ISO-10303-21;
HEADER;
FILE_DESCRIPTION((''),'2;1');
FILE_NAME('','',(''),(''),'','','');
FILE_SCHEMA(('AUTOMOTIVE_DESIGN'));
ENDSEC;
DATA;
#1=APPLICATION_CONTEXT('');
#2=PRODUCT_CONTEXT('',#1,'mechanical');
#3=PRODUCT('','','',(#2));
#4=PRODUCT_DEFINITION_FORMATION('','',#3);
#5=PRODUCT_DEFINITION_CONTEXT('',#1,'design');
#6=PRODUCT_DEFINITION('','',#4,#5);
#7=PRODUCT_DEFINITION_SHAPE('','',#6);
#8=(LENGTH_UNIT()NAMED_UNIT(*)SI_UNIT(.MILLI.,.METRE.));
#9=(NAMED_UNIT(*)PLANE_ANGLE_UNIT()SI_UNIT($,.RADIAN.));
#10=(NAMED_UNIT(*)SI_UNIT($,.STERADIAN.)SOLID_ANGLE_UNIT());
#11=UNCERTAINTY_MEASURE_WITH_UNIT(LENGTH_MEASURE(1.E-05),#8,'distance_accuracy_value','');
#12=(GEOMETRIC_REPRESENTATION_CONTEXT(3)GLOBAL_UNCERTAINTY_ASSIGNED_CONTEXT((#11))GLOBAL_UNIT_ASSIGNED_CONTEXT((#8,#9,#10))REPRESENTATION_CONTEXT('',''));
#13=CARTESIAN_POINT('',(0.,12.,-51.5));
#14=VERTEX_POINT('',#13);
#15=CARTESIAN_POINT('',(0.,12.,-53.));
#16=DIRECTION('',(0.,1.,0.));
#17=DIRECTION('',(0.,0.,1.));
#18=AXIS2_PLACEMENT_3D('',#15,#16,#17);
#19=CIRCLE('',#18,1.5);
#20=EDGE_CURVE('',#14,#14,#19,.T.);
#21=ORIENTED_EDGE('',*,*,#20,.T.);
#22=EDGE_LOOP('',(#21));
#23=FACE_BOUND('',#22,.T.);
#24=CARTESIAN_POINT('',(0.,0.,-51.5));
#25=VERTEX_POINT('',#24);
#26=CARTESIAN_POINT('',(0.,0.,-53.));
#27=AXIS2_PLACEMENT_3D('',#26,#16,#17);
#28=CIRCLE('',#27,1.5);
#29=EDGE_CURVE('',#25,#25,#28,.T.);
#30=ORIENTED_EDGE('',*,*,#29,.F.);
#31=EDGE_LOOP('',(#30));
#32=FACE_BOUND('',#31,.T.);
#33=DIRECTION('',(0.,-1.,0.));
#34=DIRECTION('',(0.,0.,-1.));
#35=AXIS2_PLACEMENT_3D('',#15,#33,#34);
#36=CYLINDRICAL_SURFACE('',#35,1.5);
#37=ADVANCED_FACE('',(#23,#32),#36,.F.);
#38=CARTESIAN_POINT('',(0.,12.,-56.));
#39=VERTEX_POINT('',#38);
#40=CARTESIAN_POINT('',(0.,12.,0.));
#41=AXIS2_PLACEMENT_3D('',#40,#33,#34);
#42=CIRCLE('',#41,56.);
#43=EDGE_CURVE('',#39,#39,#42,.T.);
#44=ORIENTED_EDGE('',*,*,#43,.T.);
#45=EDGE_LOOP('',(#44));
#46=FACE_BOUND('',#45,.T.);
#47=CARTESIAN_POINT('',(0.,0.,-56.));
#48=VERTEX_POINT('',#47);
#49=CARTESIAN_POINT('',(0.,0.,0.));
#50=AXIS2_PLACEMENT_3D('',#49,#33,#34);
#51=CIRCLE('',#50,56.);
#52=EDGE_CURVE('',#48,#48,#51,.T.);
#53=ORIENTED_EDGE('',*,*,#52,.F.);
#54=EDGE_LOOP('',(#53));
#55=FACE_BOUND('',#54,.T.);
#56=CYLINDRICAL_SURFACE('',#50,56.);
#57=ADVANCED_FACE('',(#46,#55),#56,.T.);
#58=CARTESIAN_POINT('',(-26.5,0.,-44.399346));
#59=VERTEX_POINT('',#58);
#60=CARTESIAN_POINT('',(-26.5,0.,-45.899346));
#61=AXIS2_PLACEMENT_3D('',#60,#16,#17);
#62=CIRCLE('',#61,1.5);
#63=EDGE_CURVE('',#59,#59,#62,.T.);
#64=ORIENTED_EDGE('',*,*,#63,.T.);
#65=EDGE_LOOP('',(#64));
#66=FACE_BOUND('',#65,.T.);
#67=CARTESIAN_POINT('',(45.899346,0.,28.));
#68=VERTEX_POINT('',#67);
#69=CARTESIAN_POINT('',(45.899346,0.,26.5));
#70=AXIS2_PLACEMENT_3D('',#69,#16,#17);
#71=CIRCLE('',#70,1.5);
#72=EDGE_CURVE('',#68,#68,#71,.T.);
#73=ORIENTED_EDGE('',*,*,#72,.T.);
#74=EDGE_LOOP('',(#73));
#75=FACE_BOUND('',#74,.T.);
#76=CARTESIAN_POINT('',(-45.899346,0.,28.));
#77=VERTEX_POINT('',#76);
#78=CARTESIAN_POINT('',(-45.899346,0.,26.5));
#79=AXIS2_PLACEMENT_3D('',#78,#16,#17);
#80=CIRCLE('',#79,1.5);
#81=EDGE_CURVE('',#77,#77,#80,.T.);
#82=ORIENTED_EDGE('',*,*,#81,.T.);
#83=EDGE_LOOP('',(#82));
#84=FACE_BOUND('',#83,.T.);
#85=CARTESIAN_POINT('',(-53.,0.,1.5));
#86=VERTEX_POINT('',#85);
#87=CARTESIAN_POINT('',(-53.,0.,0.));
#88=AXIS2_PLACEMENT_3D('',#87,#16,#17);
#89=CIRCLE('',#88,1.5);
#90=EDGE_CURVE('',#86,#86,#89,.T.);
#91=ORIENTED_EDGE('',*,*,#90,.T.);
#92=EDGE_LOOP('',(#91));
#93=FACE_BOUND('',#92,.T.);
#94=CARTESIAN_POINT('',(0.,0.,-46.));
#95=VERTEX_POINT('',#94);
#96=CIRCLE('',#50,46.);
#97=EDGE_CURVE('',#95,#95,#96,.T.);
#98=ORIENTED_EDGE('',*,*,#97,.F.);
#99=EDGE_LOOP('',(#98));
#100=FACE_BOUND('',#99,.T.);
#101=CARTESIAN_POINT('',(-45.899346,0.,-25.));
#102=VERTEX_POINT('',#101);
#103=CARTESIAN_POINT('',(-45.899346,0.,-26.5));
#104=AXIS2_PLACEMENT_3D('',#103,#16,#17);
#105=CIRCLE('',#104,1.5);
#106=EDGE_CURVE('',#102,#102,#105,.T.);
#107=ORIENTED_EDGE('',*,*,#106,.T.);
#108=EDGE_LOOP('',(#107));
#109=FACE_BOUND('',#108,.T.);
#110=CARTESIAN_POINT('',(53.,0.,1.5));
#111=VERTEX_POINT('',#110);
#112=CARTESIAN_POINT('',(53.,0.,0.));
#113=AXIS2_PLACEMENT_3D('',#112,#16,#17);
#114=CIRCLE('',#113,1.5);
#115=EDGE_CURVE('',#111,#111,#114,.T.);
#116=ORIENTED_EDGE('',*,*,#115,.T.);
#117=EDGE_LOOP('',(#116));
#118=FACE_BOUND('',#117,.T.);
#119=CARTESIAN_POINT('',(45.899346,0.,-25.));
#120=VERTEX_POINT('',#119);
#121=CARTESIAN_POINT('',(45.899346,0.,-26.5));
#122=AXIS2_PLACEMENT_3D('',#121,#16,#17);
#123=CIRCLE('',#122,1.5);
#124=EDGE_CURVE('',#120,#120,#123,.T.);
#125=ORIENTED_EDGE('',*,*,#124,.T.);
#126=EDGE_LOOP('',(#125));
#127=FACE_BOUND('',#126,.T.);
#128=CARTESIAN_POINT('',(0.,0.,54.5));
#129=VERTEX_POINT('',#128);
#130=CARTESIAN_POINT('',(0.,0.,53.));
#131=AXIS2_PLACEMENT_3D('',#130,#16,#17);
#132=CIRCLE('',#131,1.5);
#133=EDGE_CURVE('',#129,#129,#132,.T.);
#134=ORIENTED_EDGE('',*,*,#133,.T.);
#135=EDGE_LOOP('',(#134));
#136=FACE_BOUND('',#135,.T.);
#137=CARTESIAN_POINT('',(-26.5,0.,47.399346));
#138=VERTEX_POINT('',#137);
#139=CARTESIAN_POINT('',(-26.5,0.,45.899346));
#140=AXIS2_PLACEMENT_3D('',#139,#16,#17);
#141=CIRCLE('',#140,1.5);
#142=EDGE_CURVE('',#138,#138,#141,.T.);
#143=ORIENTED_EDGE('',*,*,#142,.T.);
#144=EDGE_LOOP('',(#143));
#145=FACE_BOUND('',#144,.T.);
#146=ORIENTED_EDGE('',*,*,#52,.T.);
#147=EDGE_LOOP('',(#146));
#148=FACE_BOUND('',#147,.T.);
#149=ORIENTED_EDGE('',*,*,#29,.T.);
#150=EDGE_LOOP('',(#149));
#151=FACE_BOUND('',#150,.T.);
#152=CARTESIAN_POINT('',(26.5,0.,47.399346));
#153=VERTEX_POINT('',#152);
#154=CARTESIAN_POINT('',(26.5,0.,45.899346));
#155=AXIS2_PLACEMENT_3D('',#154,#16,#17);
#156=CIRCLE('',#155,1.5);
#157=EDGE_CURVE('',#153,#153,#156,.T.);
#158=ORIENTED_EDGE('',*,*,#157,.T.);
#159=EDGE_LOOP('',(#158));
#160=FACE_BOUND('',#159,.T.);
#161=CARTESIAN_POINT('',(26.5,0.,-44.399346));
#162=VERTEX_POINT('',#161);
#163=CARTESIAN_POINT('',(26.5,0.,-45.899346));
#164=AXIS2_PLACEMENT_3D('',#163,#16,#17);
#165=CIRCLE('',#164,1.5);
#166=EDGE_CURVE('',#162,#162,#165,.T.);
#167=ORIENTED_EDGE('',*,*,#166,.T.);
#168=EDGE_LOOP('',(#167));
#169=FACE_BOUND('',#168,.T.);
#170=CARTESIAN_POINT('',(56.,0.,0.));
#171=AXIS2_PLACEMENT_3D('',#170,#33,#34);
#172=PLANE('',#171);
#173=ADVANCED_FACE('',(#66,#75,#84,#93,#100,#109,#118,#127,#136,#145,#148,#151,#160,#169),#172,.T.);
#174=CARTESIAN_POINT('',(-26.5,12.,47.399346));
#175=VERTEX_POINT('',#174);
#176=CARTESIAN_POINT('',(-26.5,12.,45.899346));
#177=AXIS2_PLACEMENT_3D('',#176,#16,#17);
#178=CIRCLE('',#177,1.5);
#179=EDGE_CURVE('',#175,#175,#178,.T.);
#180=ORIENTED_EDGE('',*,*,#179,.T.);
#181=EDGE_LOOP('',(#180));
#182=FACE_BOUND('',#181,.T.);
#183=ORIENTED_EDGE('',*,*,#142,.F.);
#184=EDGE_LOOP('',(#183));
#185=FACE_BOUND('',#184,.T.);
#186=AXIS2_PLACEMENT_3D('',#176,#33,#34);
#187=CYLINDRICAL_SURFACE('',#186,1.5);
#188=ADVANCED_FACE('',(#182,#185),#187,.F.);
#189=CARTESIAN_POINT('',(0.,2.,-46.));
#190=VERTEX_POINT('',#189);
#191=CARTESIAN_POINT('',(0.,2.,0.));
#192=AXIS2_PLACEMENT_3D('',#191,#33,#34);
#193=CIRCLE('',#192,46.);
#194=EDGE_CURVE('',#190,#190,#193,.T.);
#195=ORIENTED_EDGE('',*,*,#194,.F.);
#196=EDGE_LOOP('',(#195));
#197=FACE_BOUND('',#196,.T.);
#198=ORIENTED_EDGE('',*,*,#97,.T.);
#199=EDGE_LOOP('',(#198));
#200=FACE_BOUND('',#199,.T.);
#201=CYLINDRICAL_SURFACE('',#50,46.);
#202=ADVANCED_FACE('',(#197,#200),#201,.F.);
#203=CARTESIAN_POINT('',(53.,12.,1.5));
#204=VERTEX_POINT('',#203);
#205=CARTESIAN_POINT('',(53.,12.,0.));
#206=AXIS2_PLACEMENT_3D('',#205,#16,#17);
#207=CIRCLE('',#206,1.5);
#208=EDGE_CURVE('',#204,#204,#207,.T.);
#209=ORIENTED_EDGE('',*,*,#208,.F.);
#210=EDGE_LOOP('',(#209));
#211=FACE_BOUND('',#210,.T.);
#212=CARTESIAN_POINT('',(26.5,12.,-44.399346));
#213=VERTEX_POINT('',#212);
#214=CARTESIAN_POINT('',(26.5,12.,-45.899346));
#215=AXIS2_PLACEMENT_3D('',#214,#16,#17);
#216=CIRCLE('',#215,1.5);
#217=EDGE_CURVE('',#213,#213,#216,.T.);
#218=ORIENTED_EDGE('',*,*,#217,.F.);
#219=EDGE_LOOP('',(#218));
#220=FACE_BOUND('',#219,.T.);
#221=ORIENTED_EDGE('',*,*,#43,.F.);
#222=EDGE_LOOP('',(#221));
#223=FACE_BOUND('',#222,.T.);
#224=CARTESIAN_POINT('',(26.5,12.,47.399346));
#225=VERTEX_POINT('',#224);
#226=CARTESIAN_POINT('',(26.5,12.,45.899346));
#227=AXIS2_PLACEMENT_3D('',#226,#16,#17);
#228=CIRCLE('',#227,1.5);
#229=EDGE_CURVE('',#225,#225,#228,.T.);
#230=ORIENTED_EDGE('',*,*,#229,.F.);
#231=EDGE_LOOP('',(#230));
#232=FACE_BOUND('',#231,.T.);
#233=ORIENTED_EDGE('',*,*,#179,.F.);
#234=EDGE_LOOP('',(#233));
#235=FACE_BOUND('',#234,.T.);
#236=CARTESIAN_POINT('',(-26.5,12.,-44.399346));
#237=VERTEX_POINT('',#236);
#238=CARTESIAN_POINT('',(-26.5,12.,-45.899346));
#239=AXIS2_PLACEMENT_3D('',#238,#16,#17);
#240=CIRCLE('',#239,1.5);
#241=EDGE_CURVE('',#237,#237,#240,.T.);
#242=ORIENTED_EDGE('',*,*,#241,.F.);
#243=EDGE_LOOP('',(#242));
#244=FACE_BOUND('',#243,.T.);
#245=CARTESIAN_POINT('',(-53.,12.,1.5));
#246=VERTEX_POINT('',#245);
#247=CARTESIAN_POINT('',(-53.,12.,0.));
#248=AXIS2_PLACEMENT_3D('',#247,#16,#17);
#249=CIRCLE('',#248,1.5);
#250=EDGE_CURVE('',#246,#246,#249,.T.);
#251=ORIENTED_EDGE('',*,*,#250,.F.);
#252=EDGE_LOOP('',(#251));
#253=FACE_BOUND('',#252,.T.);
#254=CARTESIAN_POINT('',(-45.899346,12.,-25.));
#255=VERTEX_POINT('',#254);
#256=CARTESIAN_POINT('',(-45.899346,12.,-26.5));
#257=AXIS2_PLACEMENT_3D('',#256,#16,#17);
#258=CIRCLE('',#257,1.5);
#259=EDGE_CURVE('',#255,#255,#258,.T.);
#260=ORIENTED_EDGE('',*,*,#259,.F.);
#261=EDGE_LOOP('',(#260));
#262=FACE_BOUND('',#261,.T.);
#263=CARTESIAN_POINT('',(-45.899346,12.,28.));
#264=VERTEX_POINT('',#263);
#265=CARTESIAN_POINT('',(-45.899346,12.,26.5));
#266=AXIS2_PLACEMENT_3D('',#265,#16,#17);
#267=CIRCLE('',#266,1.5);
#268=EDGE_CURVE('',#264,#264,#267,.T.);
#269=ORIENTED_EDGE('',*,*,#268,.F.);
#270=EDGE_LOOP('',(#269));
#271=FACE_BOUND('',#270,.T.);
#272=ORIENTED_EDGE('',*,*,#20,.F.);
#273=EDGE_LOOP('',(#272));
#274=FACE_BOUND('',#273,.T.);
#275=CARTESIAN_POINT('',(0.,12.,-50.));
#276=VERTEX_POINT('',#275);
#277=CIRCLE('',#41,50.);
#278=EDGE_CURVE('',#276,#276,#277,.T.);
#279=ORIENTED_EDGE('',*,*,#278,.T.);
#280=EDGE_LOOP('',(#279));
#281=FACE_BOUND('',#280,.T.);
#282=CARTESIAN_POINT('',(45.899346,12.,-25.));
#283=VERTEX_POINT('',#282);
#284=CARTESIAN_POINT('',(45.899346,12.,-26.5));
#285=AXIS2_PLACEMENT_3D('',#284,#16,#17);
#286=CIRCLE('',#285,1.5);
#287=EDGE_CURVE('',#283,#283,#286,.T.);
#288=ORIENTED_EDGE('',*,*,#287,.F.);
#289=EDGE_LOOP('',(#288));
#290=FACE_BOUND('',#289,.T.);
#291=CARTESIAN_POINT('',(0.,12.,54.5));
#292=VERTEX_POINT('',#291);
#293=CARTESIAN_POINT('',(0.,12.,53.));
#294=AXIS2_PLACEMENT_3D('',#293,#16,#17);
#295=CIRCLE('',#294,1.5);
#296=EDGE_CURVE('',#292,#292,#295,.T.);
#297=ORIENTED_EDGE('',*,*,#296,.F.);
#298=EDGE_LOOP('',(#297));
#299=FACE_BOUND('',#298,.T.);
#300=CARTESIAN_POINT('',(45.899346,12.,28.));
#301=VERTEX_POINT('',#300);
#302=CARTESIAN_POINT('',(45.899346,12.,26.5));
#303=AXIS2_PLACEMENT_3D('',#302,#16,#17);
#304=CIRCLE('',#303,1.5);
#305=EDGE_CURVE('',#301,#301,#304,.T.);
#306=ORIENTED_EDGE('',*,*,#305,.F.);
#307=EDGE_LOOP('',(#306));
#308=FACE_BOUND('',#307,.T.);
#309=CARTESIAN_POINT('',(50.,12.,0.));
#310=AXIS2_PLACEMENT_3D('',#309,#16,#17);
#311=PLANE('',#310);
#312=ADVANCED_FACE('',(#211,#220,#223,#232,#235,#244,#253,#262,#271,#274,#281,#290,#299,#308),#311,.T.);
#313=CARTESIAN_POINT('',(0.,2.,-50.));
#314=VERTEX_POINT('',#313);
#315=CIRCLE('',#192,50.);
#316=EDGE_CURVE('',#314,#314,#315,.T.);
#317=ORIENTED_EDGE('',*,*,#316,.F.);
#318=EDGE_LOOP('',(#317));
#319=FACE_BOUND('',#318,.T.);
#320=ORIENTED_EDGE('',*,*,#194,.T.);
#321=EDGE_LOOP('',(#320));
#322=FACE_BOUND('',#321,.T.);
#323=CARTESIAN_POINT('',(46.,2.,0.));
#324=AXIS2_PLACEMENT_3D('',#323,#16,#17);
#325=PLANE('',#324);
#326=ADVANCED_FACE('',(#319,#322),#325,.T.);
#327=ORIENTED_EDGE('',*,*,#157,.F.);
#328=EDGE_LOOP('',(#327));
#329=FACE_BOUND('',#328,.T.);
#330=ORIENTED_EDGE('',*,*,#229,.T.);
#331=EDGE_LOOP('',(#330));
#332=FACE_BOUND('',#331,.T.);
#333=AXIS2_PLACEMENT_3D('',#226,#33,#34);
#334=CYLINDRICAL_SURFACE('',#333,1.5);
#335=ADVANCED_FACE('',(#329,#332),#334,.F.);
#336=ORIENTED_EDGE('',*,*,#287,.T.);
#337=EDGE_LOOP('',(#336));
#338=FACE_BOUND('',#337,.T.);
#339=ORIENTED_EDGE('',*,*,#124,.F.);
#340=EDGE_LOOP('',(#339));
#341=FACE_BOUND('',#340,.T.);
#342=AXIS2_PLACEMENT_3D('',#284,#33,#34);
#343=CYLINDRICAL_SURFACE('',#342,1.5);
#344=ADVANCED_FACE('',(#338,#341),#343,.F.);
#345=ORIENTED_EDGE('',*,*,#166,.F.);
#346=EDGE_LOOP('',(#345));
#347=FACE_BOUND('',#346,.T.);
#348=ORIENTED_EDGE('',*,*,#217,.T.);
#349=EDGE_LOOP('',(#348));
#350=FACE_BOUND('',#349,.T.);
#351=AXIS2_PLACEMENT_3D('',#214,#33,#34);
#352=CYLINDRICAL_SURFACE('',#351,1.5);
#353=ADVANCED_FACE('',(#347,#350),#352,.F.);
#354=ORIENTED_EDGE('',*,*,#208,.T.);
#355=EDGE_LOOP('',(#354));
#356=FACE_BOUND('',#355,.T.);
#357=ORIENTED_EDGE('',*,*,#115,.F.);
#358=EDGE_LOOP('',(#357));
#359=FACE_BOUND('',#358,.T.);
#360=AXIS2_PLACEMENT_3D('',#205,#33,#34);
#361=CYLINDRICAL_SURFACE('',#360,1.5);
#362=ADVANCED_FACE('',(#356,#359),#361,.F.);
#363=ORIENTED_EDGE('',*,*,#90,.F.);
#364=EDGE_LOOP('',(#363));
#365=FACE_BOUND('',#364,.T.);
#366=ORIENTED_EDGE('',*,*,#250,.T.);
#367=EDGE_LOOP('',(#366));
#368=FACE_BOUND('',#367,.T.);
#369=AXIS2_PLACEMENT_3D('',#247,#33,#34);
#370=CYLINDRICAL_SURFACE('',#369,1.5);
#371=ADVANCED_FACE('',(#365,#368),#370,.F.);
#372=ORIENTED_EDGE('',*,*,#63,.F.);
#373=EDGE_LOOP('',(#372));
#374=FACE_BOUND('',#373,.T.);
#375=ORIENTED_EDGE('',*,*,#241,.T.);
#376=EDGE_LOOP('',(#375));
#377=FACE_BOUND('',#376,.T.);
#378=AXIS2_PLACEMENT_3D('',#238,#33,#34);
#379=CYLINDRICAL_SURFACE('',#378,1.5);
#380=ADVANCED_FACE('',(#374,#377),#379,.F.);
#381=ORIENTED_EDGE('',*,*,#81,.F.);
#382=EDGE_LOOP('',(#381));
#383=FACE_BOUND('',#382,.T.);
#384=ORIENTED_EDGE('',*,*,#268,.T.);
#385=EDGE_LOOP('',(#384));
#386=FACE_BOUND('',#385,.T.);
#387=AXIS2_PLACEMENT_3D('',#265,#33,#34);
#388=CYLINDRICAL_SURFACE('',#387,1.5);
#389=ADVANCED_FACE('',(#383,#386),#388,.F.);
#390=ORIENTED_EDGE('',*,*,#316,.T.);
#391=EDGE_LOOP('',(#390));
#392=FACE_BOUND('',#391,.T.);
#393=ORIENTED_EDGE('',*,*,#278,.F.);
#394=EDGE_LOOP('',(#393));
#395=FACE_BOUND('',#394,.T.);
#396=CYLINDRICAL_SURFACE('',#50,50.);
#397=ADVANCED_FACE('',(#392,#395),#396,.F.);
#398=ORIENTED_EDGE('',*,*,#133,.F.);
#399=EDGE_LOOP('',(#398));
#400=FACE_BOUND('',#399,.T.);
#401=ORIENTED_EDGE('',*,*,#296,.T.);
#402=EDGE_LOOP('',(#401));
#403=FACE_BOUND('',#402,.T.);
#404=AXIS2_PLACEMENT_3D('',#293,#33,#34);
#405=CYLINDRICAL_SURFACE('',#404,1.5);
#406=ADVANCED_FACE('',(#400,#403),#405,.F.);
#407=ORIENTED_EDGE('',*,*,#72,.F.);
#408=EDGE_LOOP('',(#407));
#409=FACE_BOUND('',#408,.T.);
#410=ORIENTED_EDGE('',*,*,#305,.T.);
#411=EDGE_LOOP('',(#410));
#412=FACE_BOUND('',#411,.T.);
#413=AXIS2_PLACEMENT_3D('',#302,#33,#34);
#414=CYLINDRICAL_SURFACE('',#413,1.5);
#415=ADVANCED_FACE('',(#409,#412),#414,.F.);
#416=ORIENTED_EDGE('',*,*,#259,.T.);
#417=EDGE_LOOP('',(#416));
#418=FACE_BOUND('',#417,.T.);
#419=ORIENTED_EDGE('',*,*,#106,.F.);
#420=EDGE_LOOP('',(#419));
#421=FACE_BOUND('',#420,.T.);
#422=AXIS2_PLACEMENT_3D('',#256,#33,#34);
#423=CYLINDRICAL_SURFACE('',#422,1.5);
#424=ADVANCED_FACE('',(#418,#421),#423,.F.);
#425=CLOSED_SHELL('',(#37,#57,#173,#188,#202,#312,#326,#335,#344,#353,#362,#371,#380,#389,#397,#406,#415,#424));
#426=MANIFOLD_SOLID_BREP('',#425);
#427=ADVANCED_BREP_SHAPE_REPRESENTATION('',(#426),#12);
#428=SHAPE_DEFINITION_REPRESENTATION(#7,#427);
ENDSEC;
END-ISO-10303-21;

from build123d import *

# Parameters (mm, degrees)
SKETCH_3_R          = 1.5
CUT_EXTRUDE_3_DEPTH = 81.099937578


with BuildPart() as part:
    # 草图2 → 旋转1 (revolve)
    with BuildSketch(Plane.XY, mode=Mode.PRIVATE) as revolve_1_sk:
        Polygon((46, 0), (46, 2), (50, 2), (50, 12), (56, 12), (56, 0), align=None)
    revolve(revolve_1_sk.sketch.rotate(Axis((0, 0, 0), (0, 1, 0)), 90), axis=Axis((0, 0, 0), (0, 1, 0)))

    # 草图3 → 切除-拉伸3 (cut, through all)
    with BuildSketch(Plane(origin=(0, 0, 0), x_dir=(1, 0, 0), z_dir=(0, 1, 0))):
        with Locations(Location((0, 53, 0), (0, 0, 270))):
            Circle(SKETCH_3_R)
        with Locations(Location((26.5, 45.899346401, 0), (0, 0, 270))):
            Circle(SKETCH_3_R)
        with Locations(Location((45.899346401, 26.5, 0), (0, 0, 270))):
            Circle(SKETCH_3_R)
        with Locations(Location((53, 0, 0), (0, 0, 270))):
            Circle(SKETCH_3_R)
        with Locations(Location((45.899346401, -26.5, 0), (0, 0, 270))):
            Circle(SKETCH_3_R)
        with Locations(Location((26.5, -45.899346401, 0), (0, 0, 270))):
            Circle(SKETCH_3_R)
        with Locations(Location((0, -53, 0), (0, 0, 270))):
            Circle(SKETCH_3_R)
        with Locations(Location((-26.5, -45.899346401, 0), (0, 0, 270))):
            Circle(SKETCH_3_R)
        with Locations(Location((-45.899346401, -26.5, 0), (0, 0, 270))):
            Circle(SKETCH_3_R)
        with Locations(Location((-53, 0, 0), (0, 0, 270))):
            Circle(SKETCH_3_R)
        with Locations(Location((-45.899346401, 26.5, 0), (0, 0, 270))):
            Circle(SKETCH_3_R)
        with Locations(Location((-26.5, 45.899346401, 0), (0, 0, 270))):
            Circle(SKETCH_3_R)
    extrude(amount=CUT_EXTRUDE_3_DEPTH, mode=Mode.SUBTRACT)


solid = part.part
